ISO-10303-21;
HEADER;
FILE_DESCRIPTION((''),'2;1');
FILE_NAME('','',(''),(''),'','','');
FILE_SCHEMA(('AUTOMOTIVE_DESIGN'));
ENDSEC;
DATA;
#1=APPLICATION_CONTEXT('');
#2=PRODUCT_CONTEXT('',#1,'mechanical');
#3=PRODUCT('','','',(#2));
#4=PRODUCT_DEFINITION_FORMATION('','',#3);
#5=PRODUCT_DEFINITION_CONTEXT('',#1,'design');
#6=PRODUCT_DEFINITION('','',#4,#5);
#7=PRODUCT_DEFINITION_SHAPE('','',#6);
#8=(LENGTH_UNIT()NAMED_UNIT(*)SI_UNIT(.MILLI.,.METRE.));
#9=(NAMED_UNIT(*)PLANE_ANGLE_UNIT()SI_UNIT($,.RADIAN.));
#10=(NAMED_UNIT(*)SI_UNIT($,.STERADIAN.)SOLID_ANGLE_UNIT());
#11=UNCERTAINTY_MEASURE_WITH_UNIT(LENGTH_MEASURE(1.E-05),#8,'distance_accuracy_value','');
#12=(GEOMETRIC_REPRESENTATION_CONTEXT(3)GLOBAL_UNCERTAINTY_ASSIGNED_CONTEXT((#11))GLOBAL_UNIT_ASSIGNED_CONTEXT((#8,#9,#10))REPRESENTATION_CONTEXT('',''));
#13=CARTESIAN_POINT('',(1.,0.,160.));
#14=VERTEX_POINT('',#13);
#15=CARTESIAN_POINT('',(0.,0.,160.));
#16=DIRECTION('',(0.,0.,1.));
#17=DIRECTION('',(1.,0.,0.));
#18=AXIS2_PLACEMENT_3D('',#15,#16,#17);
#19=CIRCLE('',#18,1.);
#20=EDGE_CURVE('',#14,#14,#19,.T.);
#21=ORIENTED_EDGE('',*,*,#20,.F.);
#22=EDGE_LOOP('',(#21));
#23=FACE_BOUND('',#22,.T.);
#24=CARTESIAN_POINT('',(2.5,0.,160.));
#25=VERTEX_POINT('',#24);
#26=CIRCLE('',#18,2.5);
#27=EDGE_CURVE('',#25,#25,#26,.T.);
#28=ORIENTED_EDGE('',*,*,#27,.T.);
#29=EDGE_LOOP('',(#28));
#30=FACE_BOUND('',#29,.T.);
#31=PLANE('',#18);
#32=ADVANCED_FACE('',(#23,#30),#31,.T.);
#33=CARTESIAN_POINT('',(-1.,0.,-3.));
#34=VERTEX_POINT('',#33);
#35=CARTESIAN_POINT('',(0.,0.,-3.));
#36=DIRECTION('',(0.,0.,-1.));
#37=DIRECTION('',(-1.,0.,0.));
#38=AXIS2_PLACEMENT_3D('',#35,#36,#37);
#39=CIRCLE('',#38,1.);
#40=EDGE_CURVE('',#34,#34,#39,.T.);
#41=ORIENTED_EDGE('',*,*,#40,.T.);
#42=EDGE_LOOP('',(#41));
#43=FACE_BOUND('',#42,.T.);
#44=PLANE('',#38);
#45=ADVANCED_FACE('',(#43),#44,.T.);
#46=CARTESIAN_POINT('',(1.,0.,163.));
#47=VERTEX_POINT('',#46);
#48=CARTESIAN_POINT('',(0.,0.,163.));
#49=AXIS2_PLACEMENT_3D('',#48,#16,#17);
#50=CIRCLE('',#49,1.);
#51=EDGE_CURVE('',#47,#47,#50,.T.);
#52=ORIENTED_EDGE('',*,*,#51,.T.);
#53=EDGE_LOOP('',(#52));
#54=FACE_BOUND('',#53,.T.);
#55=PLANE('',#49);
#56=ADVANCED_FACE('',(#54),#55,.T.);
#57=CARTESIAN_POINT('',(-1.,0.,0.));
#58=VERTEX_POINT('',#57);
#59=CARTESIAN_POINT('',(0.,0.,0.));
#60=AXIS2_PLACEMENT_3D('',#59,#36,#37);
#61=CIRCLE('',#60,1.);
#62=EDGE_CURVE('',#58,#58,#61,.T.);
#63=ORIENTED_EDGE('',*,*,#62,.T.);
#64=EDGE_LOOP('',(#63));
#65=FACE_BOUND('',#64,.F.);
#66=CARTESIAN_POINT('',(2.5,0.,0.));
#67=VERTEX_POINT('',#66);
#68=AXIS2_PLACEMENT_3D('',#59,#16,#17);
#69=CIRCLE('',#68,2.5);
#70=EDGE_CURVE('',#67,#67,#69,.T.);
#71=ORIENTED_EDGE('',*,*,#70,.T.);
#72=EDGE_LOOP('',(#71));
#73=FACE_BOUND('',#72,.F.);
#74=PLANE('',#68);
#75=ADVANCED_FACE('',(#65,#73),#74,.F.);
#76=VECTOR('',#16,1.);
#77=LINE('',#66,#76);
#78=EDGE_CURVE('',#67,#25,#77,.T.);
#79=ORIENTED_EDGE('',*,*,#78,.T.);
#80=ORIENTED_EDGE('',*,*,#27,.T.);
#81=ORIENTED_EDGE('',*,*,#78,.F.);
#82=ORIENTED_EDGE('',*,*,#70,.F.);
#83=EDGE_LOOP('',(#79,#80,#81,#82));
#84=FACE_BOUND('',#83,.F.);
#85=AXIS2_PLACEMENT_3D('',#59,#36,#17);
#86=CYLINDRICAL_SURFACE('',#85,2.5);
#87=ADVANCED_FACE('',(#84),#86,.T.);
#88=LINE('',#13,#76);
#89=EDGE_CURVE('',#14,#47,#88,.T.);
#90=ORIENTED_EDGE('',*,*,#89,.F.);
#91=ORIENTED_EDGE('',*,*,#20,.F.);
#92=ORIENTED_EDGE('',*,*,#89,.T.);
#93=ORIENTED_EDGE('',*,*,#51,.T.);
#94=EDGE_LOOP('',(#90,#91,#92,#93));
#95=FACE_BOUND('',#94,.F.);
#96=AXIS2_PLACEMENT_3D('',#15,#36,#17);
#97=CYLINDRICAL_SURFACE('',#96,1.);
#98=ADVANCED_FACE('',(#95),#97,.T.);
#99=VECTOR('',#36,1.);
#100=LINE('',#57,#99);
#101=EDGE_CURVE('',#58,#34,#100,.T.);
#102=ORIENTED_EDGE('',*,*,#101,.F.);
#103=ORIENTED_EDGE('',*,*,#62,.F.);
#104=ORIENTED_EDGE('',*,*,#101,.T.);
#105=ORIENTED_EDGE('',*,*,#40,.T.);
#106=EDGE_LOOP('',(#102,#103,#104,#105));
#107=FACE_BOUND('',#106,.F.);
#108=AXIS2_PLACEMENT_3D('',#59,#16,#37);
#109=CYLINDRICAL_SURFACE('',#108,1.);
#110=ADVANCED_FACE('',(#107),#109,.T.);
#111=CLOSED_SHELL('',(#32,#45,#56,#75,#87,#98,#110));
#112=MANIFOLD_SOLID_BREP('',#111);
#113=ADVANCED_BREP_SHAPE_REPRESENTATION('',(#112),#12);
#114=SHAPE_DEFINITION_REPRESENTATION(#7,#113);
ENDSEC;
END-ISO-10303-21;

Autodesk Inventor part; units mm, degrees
ref_plane "YZ Plane" through (0, 0, 0) normal (1, 0, 0) x (0, 1, 0)
ref_plane "XZ Plane" through (0, 0, 0) normal (0, 1, 0) x (-1, 0, 0)
ref_plane "XY Plane" through (0, 0, 0) normal (0, 0, 1) x (1, 0, 0)
sketch "Sketch1" plane through (0, 0, 0) normal (0, 0, 1) x (1, 0, 0)
  circle A0 centre (0, 0) radius 2.5
  dimension "d0" = 5
extrude "Extrusion1" add sketch "Sketch1" along normal blind 160
sketch "Sketch2" plane through (0, 0, 160) normal (0, 0, 1) x (1, 0, 0)
  circle A0 centre (0, 0) radius 2.5 projected
  circle A1 centre (0, 0) radius 1
  dimension "d3" = 2
extrude "Extrusion2" add sketch "Sketch2" along normal blind 3 contours A1
sketch "Sketch3" plane through (0, 0, 0) normal (0, 0, -1) x (-1, 0, 0)
  circle A0 centre (0, 0) radius 1
  dimension "d6" = 2
extrude "Extrusion3" add sketch "Sketch3" along normal blind 3
properties part number "Bone-16cm"
